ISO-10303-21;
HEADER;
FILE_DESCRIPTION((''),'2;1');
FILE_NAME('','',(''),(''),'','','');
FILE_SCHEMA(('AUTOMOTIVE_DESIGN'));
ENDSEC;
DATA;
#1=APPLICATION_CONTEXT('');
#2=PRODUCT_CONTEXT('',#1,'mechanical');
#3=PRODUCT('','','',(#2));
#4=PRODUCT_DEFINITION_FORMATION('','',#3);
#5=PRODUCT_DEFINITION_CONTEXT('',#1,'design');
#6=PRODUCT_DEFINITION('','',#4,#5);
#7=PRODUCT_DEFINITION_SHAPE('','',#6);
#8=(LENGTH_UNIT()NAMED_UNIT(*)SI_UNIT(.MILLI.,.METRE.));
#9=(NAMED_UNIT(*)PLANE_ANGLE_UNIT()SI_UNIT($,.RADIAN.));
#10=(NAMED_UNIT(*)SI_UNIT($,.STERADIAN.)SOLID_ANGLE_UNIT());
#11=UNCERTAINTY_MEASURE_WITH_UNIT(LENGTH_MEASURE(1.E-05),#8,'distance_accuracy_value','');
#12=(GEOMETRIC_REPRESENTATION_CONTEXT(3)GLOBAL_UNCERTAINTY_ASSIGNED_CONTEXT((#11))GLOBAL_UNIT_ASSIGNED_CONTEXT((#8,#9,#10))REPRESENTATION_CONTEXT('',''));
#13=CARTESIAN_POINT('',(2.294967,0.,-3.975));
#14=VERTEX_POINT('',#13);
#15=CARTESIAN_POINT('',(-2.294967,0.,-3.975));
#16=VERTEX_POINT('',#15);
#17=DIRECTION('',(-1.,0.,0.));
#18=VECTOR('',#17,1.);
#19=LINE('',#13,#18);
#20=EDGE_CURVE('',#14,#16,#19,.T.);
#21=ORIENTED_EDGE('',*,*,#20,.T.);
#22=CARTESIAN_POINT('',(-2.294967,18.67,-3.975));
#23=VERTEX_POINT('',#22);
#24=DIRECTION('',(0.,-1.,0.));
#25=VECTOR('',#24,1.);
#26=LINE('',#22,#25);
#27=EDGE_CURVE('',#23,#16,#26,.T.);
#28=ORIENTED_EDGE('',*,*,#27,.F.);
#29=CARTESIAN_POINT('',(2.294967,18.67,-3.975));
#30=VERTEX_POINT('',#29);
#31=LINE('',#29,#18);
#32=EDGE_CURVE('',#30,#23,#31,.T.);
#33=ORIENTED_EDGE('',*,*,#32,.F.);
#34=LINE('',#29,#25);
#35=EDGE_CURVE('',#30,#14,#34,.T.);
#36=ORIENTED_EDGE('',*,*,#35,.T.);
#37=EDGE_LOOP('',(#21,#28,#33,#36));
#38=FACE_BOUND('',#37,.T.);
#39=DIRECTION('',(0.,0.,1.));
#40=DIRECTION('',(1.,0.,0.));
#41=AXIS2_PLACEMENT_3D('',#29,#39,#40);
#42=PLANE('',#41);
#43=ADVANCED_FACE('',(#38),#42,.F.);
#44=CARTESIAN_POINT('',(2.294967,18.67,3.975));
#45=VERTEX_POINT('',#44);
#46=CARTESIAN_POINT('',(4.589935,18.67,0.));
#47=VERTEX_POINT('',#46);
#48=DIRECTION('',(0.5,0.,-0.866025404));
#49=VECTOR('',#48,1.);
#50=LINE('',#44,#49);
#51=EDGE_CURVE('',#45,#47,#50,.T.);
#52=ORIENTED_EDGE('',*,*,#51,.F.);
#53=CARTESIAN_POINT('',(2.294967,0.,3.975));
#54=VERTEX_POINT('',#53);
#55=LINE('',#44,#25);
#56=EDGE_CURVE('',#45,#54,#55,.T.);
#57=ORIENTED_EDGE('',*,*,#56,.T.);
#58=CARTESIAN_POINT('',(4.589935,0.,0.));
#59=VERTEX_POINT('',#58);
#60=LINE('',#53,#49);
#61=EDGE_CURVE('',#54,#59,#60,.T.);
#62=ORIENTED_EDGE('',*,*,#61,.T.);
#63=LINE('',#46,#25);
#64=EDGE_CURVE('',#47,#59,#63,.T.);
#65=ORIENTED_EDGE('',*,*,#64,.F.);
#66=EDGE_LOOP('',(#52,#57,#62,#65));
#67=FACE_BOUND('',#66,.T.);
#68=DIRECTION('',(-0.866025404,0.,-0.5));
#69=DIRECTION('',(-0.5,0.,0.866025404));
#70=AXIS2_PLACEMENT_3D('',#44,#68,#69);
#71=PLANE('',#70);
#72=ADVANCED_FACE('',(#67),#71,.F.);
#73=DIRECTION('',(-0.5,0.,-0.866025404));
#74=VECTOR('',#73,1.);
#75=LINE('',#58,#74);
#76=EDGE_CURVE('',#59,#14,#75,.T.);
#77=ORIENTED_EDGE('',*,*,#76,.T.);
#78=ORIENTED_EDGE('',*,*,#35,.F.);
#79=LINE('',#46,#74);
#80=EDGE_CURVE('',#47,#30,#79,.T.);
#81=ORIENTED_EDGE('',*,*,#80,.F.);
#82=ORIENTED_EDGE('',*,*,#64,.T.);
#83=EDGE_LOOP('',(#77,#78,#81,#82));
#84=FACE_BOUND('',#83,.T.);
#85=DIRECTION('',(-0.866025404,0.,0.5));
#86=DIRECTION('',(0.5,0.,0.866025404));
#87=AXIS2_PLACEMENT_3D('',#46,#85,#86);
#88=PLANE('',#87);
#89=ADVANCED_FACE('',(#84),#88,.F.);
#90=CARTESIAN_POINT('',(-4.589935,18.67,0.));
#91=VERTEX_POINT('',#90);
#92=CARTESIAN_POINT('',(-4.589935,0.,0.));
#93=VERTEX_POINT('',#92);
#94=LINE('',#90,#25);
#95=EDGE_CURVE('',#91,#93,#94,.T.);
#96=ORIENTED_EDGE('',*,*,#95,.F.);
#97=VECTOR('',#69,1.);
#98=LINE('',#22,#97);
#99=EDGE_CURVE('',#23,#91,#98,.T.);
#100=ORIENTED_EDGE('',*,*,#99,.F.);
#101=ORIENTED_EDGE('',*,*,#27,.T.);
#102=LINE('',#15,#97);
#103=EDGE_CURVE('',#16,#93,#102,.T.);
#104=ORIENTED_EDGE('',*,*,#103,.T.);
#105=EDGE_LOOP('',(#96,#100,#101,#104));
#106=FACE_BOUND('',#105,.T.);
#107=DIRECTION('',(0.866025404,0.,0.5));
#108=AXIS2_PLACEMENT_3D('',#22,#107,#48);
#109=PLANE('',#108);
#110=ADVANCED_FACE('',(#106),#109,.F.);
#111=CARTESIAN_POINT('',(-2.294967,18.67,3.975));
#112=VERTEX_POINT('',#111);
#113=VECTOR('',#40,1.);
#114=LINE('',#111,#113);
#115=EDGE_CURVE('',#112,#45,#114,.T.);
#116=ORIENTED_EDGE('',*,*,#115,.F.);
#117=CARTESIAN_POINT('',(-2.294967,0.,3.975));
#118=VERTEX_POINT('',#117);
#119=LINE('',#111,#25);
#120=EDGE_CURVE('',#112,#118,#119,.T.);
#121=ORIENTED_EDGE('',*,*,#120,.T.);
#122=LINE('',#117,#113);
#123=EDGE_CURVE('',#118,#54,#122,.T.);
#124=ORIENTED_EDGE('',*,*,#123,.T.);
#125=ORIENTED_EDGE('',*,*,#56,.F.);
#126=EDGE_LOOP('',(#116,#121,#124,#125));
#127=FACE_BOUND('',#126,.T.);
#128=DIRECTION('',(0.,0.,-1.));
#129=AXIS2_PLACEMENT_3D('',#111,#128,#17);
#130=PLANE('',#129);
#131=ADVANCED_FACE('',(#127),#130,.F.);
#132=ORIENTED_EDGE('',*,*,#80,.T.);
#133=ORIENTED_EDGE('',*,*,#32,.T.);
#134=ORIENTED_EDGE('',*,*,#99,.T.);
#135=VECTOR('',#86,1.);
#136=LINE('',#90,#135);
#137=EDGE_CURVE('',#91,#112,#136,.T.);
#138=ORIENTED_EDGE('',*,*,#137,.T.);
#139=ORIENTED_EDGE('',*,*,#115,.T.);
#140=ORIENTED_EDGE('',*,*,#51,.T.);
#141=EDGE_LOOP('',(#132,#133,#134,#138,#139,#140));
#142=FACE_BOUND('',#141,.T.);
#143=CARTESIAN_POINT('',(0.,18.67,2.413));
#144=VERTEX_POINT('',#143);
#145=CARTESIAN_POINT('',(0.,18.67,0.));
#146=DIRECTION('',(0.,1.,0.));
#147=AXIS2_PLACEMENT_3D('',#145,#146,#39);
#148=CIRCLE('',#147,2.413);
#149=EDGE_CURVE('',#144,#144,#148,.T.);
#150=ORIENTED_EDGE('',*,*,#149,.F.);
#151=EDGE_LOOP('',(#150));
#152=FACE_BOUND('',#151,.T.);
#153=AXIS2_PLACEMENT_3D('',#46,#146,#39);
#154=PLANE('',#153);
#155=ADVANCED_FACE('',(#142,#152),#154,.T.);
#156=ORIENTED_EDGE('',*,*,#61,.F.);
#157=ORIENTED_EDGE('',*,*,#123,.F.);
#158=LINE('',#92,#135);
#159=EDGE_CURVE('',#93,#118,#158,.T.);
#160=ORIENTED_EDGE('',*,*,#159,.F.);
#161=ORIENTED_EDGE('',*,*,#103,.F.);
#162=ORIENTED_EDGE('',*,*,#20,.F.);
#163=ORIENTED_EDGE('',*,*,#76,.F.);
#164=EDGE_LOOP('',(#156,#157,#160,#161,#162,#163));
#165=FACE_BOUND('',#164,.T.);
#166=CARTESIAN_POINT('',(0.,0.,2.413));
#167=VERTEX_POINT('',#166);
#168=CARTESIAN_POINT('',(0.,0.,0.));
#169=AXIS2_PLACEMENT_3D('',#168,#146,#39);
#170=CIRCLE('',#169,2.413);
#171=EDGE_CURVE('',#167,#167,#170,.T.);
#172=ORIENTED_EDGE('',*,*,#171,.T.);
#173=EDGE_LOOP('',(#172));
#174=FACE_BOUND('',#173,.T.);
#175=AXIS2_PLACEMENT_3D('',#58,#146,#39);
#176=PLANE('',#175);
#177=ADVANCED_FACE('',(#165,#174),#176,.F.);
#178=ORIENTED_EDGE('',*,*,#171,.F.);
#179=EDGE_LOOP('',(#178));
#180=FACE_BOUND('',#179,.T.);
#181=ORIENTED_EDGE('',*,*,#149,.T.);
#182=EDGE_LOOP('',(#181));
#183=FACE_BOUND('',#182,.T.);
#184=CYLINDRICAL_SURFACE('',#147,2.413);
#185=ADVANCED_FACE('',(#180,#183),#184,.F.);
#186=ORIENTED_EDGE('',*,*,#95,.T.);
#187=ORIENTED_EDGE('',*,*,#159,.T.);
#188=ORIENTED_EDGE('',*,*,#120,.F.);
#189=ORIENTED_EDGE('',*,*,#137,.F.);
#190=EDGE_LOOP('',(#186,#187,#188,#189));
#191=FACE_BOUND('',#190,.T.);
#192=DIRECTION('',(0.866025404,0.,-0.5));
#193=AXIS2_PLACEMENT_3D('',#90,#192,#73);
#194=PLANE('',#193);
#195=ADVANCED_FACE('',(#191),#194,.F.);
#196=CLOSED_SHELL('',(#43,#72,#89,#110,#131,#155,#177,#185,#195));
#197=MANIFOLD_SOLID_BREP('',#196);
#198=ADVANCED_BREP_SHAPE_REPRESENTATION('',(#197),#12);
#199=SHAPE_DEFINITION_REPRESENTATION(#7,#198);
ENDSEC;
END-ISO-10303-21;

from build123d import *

# Parameters (mm, degrees)
BOSS_EXTRUDE1_DEPTH    = 18.67
F_10_24_TAPPED_HOLE1_D = 4.826


with BuildPart() as part:
    # Sketch1 → Boss-Extrude1 (new body)
    with BuildSketch(Plane(origin=(0, 0, 0), x_dir=(1, 0, 0), z_dir=(0, 1, 0))):
        Polygon((4.58993464, 0), (2.29496732, 3.975), (-2.29496732, 3.975), (-4.58993464, 0), (-2.29496732, -3.975), (2.29496732, -3.975), align=None)
    extrude(amount=BOSS_EXTRUDE1_DEPTH)

    # #10-24 Tapped Hole1 (through all)
    with Locations(Plane(origin=(0, 18.67, 0), x_dir=(-1, 0, 0), z_dir=(0, 1, 0))):
        with Locations((0, 0)):
            Hole(F_10_24_TAPPED_HOLE1_D / 2)


solid = part.part
